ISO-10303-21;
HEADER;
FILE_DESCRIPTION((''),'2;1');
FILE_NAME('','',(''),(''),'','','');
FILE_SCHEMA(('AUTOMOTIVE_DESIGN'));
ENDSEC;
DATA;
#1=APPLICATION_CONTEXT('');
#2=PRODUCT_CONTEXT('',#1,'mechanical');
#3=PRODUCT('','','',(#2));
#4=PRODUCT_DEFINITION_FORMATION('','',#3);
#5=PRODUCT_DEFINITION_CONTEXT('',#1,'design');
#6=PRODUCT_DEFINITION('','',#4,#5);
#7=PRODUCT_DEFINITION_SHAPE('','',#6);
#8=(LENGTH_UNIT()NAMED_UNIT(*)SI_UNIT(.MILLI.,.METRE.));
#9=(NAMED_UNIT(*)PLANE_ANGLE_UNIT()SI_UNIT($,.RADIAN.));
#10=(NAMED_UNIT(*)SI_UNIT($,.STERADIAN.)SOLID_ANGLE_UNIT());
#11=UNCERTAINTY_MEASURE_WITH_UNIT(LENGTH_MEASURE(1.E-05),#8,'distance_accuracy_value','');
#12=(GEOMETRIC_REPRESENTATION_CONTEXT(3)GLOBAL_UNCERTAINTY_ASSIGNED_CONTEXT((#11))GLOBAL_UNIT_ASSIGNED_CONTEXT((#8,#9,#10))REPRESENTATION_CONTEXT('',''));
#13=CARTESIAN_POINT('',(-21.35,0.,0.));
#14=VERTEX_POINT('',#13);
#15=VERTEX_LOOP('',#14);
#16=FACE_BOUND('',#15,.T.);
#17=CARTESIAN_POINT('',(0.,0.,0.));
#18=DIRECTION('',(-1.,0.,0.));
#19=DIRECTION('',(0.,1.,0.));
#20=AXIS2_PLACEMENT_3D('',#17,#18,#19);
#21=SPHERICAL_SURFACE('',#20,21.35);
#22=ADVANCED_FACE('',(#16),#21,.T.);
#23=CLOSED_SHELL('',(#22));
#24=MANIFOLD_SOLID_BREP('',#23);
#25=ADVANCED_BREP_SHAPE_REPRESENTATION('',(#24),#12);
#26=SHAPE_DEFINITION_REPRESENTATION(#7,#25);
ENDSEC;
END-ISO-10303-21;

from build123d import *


with BuildPart() as part:
    # Sketch1 → Revolve1 (revolve)
    with BuildSketch(Plane.XY):
        with BuildLine():
            Line((-21.35, 0), (21.35, 0))
            ThreePointArc((21.35, 0), (0, 21.35), (-21.35, 0))
        make_face()
    revolve(axis=Axis((-21.35, 0, 0), (1, 0, 0)))


solid = part.part
